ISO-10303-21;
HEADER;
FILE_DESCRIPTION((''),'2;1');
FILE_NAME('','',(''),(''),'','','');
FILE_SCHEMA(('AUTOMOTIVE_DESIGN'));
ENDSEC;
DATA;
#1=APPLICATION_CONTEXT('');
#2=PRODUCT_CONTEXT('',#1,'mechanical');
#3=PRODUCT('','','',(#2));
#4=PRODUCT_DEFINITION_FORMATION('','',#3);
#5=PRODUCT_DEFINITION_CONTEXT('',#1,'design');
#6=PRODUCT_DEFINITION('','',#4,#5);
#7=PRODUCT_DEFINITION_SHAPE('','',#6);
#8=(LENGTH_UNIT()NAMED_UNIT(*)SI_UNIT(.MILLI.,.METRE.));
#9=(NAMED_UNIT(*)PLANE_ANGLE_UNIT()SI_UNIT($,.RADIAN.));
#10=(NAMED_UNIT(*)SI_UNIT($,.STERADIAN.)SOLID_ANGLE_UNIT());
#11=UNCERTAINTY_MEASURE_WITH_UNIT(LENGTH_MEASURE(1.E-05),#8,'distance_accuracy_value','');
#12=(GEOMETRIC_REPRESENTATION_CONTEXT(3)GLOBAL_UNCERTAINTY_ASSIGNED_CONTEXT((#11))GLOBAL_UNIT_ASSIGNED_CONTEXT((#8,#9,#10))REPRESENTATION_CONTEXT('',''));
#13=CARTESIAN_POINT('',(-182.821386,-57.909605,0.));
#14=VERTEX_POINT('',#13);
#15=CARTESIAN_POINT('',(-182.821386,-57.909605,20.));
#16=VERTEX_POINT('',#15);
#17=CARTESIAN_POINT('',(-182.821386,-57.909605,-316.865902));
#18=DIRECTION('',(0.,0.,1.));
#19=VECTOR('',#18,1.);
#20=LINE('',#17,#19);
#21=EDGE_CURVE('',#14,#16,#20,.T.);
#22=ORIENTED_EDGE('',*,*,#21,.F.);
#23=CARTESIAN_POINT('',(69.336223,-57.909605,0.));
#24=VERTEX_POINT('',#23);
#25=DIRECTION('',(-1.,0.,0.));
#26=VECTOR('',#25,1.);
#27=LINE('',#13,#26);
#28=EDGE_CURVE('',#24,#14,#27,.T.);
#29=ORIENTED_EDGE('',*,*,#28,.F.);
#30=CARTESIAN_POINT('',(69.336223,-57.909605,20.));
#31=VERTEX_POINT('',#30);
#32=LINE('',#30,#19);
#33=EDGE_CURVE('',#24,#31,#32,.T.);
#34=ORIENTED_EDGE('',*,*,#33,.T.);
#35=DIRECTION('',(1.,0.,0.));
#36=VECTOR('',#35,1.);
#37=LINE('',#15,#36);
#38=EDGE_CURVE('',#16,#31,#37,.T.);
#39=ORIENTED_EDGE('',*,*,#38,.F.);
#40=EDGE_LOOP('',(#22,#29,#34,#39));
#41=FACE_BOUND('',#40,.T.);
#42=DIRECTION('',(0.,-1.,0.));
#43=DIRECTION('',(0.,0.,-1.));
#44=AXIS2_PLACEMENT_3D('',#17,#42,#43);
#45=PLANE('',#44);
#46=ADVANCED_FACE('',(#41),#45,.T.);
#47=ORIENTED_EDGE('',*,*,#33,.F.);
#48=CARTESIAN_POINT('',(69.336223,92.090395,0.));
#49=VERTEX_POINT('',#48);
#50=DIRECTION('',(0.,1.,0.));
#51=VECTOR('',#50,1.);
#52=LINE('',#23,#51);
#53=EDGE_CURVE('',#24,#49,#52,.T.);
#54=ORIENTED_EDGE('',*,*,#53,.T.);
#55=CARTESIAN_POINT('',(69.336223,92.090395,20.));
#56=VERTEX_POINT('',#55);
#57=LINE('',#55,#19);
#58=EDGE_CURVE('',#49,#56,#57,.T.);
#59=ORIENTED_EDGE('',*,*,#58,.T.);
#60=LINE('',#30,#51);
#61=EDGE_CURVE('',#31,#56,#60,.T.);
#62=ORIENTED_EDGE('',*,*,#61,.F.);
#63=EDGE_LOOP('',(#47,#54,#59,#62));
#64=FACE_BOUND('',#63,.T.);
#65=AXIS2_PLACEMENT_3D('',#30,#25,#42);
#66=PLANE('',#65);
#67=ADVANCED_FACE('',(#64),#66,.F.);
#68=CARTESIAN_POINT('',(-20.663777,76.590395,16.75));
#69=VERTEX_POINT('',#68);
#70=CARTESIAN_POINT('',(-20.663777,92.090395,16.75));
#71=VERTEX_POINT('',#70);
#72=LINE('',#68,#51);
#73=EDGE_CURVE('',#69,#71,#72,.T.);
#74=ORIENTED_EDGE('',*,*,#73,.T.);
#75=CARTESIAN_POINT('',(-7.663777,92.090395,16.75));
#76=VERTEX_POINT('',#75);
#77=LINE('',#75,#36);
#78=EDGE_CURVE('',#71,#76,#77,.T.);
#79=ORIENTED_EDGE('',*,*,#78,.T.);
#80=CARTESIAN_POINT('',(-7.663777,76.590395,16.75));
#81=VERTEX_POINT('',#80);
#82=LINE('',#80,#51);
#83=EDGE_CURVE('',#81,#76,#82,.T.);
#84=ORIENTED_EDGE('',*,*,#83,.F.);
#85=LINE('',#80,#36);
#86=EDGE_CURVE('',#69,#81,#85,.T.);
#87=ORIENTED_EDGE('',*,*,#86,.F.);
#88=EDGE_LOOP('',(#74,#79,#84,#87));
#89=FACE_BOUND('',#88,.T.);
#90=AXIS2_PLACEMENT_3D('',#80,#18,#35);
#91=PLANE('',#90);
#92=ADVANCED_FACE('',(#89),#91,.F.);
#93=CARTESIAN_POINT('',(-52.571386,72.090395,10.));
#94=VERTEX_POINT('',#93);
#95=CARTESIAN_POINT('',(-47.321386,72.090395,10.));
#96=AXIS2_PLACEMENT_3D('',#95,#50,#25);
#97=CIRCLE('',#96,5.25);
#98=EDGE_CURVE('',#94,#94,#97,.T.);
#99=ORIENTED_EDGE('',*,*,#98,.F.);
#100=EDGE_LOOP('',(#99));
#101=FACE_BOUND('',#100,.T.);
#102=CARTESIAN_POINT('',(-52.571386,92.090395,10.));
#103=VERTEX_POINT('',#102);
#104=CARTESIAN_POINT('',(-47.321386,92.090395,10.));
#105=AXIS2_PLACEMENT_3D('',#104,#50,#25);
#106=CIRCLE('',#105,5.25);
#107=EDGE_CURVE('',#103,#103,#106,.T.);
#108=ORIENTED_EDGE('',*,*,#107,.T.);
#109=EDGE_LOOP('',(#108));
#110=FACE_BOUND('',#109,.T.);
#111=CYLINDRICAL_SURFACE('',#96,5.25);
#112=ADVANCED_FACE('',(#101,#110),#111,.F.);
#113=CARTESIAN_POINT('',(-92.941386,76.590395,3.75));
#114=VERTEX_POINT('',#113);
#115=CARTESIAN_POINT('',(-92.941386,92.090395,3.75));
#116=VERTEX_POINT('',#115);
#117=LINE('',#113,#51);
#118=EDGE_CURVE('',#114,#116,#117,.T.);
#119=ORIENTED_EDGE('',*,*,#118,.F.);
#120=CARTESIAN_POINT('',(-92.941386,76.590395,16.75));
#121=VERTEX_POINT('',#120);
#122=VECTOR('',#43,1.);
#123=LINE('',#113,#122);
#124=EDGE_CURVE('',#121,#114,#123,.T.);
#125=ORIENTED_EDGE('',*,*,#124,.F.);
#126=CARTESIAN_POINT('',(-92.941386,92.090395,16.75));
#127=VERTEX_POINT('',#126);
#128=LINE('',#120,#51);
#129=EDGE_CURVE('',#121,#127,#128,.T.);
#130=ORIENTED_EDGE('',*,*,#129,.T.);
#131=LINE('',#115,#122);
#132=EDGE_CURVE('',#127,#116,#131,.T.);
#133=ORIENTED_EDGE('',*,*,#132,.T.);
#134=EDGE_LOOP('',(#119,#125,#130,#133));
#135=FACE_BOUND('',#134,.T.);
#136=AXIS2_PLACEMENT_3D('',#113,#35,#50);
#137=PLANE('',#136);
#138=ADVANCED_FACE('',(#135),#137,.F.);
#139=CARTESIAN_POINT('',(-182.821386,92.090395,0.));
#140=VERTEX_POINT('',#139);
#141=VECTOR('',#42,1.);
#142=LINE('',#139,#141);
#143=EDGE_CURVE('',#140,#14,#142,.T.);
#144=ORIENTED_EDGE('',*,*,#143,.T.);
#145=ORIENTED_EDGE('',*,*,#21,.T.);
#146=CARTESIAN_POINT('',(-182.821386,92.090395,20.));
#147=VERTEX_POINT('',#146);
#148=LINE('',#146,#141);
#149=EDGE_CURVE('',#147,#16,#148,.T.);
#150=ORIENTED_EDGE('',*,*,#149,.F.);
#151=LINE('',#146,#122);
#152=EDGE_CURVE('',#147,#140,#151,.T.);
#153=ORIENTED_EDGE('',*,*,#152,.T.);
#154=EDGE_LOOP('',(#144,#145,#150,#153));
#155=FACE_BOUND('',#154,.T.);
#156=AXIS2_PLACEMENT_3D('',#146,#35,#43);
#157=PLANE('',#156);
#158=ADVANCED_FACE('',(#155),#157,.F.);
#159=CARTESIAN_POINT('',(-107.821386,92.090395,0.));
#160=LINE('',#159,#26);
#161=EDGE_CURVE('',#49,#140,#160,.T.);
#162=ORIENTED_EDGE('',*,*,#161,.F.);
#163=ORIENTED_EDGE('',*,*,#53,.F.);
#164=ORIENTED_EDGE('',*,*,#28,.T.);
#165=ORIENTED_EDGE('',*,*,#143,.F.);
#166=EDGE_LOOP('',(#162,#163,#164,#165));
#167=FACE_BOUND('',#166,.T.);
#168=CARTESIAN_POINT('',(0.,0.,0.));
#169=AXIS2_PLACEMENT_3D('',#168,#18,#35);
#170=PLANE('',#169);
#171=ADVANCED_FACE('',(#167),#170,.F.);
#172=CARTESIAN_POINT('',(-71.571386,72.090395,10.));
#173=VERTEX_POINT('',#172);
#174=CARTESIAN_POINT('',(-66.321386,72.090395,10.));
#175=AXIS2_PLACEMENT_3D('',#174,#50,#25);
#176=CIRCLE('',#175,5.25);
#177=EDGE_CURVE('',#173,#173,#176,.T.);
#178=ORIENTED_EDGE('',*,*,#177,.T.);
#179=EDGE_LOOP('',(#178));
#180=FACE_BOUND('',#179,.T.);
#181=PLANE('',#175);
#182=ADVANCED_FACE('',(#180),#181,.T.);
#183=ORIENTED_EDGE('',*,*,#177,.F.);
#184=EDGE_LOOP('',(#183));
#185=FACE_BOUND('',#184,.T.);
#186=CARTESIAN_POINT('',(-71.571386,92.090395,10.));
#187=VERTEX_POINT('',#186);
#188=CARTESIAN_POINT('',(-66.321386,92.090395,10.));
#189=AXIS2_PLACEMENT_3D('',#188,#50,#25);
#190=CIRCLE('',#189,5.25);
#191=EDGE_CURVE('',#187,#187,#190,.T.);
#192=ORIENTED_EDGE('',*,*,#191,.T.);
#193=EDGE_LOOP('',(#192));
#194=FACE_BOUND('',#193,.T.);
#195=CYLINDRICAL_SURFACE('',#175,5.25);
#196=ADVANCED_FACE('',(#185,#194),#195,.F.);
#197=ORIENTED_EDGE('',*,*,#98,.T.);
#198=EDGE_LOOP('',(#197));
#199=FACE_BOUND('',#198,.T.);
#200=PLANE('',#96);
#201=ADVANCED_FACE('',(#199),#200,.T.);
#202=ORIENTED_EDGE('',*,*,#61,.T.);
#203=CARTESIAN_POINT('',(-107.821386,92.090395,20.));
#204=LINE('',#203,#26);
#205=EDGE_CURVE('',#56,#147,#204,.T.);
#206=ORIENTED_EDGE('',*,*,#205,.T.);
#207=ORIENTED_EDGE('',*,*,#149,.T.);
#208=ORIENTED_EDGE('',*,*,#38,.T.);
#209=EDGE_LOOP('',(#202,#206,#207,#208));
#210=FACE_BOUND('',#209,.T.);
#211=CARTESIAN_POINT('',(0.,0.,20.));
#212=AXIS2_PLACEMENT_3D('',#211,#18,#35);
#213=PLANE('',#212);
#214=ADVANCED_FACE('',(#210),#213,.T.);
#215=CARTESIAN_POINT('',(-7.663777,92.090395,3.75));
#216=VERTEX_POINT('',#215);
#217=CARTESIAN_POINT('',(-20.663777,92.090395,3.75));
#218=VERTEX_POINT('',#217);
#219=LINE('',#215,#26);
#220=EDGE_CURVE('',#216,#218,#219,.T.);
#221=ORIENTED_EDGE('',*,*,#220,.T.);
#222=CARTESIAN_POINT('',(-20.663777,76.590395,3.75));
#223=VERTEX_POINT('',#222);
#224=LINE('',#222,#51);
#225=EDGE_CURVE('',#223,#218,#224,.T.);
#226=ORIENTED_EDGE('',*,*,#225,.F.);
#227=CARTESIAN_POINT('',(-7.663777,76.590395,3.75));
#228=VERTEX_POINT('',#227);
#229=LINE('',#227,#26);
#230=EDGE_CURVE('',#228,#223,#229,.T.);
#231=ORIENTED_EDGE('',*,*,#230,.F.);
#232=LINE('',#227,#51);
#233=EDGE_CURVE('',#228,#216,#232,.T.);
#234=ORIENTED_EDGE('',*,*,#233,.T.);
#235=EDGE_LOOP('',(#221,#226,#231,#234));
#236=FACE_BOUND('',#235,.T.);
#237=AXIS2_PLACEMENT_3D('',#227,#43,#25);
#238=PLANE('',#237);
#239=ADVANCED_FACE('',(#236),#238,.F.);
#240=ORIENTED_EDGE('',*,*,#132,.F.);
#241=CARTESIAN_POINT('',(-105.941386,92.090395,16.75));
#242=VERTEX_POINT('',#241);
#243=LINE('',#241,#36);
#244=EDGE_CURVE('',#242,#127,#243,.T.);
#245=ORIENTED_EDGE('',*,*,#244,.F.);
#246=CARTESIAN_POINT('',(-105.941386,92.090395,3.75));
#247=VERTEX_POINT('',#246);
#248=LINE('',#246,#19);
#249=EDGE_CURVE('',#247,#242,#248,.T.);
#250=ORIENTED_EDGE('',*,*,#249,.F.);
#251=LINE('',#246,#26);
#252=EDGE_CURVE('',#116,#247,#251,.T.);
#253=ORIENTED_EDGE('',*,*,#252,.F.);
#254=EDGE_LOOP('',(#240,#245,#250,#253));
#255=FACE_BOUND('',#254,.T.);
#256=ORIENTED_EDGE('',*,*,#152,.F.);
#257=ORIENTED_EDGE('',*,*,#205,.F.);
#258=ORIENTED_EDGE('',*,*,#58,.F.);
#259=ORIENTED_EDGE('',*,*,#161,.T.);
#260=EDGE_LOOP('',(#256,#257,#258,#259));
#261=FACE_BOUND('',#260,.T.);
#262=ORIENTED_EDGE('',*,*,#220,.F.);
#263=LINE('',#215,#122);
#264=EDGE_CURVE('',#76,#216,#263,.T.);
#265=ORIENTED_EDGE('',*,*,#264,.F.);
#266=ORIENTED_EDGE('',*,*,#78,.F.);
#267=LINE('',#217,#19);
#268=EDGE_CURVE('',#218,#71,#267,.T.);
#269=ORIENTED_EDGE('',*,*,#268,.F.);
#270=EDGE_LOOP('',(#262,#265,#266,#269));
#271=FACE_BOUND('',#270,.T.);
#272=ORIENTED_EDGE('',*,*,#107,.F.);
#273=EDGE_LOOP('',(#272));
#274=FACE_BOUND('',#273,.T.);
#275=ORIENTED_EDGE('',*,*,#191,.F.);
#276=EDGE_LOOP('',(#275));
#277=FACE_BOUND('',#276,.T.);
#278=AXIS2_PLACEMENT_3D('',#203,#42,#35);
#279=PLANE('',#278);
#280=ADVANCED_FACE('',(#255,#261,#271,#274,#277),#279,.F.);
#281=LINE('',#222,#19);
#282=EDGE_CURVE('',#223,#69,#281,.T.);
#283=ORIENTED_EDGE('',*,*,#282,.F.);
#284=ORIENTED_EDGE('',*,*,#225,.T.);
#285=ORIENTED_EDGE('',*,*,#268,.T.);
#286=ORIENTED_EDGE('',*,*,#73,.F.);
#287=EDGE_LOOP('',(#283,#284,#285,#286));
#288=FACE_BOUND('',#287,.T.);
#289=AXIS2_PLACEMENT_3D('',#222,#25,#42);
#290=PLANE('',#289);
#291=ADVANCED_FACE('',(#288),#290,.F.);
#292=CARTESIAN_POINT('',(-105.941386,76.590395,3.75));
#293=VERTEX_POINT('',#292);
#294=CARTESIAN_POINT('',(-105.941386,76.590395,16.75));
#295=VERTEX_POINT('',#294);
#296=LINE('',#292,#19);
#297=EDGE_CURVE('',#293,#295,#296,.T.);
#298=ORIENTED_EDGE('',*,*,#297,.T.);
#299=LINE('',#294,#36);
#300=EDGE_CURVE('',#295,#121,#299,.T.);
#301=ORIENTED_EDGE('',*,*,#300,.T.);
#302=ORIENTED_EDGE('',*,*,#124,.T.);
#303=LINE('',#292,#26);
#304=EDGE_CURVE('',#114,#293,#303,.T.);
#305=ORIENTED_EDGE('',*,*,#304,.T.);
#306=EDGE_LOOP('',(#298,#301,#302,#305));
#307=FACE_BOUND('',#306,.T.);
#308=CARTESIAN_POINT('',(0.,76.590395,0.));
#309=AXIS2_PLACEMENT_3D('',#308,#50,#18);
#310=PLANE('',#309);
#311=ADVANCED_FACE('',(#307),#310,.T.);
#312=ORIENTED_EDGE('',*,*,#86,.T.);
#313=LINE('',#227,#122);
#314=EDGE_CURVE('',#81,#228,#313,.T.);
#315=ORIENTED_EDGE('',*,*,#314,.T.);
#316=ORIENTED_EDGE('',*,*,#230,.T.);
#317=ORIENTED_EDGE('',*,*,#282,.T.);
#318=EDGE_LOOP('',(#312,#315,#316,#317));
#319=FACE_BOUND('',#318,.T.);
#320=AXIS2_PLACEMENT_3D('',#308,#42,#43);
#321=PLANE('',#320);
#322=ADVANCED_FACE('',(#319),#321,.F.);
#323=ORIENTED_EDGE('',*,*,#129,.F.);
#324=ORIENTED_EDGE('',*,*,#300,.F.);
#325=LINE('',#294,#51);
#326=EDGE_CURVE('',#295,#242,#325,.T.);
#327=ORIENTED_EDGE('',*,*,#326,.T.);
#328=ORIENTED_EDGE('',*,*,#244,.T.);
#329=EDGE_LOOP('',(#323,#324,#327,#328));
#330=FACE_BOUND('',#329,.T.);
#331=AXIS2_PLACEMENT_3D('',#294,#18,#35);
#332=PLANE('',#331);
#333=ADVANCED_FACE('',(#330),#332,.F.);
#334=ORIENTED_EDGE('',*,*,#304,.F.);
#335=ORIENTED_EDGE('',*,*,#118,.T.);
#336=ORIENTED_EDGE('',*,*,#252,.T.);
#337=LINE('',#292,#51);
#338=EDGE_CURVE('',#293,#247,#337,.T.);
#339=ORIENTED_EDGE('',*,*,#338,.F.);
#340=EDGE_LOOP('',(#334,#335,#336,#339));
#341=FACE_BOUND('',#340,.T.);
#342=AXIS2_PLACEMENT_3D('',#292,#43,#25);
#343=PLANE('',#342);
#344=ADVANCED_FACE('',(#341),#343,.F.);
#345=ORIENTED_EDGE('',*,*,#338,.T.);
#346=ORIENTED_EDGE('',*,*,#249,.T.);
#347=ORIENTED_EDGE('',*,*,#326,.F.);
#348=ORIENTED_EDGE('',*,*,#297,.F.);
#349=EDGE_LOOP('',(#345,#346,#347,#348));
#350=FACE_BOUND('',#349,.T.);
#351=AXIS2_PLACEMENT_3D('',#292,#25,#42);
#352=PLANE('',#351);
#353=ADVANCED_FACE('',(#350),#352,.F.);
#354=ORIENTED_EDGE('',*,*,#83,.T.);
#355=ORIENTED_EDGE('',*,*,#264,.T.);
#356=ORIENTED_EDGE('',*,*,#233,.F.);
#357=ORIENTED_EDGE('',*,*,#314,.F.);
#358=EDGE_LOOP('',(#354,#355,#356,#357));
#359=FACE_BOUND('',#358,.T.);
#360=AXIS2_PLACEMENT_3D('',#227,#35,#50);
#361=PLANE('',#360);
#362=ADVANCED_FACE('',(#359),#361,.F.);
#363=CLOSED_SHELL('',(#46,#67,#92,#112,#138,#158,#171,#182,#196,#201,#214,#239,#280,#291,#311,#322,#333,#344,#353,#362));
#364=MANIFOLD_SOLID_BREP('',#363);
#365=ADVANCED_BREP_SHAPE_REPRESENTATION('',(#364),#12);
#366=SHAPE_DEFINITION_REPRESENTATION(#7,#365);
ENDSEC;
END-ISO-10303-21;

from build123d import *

# Parameters (mm, degrees)
BOSS_EXTRUDE1_DEPTH = 20
SKETCH5_R           = 5.25
CUT_EXTRUDE4_DEPTH  = 20
SKETCH6_W           = 13
SKETCH6_H           = 13
CUT_EXTRUDE5_DEPTH  = 15.5
SKETCH7_W           = 13
SKETCH7_H           = 13
CUT_EXTRUDE6_DEPTH  = 15.5
SKETCH8_W           = 300
SKETCH8_H           = 102
BOSS_EXTRUDE2_DEPTH = 20
CUT_EXTRUDE7_START  = -150
SKETCH9_W           = 47.842391085
SKETCH9_H           = 20
CUT_EXTRUDE7_DEPTH  = 150


with BuildPart() as part:
    # Sketch1 → Boss-Extrude1 (new body)
    with BuildSketch(Plane.XY):
        Polygon((-107.821386225, 92.09039548), (-7.821386225, 92.09039548), (117.178613775, 92.09039548), (117.178613775, 44.09039548), (-7.821386225, 44.09039548), (-107.821386225, 44.09039548), (-182.821386225, 44.09039548), (-182.821386225, 92.09039548), align=None)
    extrude(amount=BOSS_EXTRUDE1_DEPTH)

    # Sketch5 → Cut-Extrude4 (cut)
    with BuildSketch(Plane(origin=(0, 92.09039548, 0), x_dir=(1, 0, 0), z_dir=(0, 1, 0))):
        with Locations(Location((-66.321386225, -10, 0), (0, 0, 180))):
            Circle(SKETCH5_R)
        with Locations(Location((-47.321386225, -10, 0), (0, 0, 180))):
            Circle(SKETCH5_R)
    extrude(amount=-CUT_EXTRUDE4_DEPTH, mode=Mode.SUBTRACT)

    # Sketch6 → Cut-Extrude5 (cut)
    with BuildSketch(Plane(origin=(0, 92.09039548, 0), x_dir=(1, 0, 0), z_dir=(0, 1, 0))):
        with Locations((-99.441386225, -10.25)):
            Rectangle(SKETCH6_W, SKETCH6_H)
    extrude(amount=-CUT_EXTRUDE5_DEPTH, mode=Mode.SUBTRACT)

    # Sketch7 → Cut-Extrude6 (cut)
    with BuildSketch(Plane(origin=(0, 92.09039548, 0), x_dir=(1, 0, 0), z_dir=(0, 1, 0))):
        with Locations((-14.16377731, -10.25)):
            Rectangle(SKETCH7_W, SKETCH7_H)
    extrude(amount=-CUT_EXTRUDE6_DEPTH, mode=Mode.SUBTRACT)

    # Sketch8 → Boss-Extrude2 (add)
    with BuildSketch(Plane.XY.offset(20)):
        with Locations((-32.821386225, -6.90960452)):
            Rectangle(SKETCH8_W, SKETCH8_H)
    extrude(amount=-BOSS_EXTRUDE2_DEPTH)

    # Sketch9 → Cut-Extrude7 (cut)
    with BuildSketch(Plane(origin=(0, 92.09039548, 0), x_dir=(1, 0, 0), z_dir=(0, 1, 0)).offset(CUT_EXTRUDE7_START)):
        with Locations((93.257418233, -10)):
            Rectangle(SKETCH9_W, SKETCH9_H)
    extrude(amount=CUT_EXTRUDE7_DEPTH, mode=Mode.SUBTRACT)


solid = part.part
